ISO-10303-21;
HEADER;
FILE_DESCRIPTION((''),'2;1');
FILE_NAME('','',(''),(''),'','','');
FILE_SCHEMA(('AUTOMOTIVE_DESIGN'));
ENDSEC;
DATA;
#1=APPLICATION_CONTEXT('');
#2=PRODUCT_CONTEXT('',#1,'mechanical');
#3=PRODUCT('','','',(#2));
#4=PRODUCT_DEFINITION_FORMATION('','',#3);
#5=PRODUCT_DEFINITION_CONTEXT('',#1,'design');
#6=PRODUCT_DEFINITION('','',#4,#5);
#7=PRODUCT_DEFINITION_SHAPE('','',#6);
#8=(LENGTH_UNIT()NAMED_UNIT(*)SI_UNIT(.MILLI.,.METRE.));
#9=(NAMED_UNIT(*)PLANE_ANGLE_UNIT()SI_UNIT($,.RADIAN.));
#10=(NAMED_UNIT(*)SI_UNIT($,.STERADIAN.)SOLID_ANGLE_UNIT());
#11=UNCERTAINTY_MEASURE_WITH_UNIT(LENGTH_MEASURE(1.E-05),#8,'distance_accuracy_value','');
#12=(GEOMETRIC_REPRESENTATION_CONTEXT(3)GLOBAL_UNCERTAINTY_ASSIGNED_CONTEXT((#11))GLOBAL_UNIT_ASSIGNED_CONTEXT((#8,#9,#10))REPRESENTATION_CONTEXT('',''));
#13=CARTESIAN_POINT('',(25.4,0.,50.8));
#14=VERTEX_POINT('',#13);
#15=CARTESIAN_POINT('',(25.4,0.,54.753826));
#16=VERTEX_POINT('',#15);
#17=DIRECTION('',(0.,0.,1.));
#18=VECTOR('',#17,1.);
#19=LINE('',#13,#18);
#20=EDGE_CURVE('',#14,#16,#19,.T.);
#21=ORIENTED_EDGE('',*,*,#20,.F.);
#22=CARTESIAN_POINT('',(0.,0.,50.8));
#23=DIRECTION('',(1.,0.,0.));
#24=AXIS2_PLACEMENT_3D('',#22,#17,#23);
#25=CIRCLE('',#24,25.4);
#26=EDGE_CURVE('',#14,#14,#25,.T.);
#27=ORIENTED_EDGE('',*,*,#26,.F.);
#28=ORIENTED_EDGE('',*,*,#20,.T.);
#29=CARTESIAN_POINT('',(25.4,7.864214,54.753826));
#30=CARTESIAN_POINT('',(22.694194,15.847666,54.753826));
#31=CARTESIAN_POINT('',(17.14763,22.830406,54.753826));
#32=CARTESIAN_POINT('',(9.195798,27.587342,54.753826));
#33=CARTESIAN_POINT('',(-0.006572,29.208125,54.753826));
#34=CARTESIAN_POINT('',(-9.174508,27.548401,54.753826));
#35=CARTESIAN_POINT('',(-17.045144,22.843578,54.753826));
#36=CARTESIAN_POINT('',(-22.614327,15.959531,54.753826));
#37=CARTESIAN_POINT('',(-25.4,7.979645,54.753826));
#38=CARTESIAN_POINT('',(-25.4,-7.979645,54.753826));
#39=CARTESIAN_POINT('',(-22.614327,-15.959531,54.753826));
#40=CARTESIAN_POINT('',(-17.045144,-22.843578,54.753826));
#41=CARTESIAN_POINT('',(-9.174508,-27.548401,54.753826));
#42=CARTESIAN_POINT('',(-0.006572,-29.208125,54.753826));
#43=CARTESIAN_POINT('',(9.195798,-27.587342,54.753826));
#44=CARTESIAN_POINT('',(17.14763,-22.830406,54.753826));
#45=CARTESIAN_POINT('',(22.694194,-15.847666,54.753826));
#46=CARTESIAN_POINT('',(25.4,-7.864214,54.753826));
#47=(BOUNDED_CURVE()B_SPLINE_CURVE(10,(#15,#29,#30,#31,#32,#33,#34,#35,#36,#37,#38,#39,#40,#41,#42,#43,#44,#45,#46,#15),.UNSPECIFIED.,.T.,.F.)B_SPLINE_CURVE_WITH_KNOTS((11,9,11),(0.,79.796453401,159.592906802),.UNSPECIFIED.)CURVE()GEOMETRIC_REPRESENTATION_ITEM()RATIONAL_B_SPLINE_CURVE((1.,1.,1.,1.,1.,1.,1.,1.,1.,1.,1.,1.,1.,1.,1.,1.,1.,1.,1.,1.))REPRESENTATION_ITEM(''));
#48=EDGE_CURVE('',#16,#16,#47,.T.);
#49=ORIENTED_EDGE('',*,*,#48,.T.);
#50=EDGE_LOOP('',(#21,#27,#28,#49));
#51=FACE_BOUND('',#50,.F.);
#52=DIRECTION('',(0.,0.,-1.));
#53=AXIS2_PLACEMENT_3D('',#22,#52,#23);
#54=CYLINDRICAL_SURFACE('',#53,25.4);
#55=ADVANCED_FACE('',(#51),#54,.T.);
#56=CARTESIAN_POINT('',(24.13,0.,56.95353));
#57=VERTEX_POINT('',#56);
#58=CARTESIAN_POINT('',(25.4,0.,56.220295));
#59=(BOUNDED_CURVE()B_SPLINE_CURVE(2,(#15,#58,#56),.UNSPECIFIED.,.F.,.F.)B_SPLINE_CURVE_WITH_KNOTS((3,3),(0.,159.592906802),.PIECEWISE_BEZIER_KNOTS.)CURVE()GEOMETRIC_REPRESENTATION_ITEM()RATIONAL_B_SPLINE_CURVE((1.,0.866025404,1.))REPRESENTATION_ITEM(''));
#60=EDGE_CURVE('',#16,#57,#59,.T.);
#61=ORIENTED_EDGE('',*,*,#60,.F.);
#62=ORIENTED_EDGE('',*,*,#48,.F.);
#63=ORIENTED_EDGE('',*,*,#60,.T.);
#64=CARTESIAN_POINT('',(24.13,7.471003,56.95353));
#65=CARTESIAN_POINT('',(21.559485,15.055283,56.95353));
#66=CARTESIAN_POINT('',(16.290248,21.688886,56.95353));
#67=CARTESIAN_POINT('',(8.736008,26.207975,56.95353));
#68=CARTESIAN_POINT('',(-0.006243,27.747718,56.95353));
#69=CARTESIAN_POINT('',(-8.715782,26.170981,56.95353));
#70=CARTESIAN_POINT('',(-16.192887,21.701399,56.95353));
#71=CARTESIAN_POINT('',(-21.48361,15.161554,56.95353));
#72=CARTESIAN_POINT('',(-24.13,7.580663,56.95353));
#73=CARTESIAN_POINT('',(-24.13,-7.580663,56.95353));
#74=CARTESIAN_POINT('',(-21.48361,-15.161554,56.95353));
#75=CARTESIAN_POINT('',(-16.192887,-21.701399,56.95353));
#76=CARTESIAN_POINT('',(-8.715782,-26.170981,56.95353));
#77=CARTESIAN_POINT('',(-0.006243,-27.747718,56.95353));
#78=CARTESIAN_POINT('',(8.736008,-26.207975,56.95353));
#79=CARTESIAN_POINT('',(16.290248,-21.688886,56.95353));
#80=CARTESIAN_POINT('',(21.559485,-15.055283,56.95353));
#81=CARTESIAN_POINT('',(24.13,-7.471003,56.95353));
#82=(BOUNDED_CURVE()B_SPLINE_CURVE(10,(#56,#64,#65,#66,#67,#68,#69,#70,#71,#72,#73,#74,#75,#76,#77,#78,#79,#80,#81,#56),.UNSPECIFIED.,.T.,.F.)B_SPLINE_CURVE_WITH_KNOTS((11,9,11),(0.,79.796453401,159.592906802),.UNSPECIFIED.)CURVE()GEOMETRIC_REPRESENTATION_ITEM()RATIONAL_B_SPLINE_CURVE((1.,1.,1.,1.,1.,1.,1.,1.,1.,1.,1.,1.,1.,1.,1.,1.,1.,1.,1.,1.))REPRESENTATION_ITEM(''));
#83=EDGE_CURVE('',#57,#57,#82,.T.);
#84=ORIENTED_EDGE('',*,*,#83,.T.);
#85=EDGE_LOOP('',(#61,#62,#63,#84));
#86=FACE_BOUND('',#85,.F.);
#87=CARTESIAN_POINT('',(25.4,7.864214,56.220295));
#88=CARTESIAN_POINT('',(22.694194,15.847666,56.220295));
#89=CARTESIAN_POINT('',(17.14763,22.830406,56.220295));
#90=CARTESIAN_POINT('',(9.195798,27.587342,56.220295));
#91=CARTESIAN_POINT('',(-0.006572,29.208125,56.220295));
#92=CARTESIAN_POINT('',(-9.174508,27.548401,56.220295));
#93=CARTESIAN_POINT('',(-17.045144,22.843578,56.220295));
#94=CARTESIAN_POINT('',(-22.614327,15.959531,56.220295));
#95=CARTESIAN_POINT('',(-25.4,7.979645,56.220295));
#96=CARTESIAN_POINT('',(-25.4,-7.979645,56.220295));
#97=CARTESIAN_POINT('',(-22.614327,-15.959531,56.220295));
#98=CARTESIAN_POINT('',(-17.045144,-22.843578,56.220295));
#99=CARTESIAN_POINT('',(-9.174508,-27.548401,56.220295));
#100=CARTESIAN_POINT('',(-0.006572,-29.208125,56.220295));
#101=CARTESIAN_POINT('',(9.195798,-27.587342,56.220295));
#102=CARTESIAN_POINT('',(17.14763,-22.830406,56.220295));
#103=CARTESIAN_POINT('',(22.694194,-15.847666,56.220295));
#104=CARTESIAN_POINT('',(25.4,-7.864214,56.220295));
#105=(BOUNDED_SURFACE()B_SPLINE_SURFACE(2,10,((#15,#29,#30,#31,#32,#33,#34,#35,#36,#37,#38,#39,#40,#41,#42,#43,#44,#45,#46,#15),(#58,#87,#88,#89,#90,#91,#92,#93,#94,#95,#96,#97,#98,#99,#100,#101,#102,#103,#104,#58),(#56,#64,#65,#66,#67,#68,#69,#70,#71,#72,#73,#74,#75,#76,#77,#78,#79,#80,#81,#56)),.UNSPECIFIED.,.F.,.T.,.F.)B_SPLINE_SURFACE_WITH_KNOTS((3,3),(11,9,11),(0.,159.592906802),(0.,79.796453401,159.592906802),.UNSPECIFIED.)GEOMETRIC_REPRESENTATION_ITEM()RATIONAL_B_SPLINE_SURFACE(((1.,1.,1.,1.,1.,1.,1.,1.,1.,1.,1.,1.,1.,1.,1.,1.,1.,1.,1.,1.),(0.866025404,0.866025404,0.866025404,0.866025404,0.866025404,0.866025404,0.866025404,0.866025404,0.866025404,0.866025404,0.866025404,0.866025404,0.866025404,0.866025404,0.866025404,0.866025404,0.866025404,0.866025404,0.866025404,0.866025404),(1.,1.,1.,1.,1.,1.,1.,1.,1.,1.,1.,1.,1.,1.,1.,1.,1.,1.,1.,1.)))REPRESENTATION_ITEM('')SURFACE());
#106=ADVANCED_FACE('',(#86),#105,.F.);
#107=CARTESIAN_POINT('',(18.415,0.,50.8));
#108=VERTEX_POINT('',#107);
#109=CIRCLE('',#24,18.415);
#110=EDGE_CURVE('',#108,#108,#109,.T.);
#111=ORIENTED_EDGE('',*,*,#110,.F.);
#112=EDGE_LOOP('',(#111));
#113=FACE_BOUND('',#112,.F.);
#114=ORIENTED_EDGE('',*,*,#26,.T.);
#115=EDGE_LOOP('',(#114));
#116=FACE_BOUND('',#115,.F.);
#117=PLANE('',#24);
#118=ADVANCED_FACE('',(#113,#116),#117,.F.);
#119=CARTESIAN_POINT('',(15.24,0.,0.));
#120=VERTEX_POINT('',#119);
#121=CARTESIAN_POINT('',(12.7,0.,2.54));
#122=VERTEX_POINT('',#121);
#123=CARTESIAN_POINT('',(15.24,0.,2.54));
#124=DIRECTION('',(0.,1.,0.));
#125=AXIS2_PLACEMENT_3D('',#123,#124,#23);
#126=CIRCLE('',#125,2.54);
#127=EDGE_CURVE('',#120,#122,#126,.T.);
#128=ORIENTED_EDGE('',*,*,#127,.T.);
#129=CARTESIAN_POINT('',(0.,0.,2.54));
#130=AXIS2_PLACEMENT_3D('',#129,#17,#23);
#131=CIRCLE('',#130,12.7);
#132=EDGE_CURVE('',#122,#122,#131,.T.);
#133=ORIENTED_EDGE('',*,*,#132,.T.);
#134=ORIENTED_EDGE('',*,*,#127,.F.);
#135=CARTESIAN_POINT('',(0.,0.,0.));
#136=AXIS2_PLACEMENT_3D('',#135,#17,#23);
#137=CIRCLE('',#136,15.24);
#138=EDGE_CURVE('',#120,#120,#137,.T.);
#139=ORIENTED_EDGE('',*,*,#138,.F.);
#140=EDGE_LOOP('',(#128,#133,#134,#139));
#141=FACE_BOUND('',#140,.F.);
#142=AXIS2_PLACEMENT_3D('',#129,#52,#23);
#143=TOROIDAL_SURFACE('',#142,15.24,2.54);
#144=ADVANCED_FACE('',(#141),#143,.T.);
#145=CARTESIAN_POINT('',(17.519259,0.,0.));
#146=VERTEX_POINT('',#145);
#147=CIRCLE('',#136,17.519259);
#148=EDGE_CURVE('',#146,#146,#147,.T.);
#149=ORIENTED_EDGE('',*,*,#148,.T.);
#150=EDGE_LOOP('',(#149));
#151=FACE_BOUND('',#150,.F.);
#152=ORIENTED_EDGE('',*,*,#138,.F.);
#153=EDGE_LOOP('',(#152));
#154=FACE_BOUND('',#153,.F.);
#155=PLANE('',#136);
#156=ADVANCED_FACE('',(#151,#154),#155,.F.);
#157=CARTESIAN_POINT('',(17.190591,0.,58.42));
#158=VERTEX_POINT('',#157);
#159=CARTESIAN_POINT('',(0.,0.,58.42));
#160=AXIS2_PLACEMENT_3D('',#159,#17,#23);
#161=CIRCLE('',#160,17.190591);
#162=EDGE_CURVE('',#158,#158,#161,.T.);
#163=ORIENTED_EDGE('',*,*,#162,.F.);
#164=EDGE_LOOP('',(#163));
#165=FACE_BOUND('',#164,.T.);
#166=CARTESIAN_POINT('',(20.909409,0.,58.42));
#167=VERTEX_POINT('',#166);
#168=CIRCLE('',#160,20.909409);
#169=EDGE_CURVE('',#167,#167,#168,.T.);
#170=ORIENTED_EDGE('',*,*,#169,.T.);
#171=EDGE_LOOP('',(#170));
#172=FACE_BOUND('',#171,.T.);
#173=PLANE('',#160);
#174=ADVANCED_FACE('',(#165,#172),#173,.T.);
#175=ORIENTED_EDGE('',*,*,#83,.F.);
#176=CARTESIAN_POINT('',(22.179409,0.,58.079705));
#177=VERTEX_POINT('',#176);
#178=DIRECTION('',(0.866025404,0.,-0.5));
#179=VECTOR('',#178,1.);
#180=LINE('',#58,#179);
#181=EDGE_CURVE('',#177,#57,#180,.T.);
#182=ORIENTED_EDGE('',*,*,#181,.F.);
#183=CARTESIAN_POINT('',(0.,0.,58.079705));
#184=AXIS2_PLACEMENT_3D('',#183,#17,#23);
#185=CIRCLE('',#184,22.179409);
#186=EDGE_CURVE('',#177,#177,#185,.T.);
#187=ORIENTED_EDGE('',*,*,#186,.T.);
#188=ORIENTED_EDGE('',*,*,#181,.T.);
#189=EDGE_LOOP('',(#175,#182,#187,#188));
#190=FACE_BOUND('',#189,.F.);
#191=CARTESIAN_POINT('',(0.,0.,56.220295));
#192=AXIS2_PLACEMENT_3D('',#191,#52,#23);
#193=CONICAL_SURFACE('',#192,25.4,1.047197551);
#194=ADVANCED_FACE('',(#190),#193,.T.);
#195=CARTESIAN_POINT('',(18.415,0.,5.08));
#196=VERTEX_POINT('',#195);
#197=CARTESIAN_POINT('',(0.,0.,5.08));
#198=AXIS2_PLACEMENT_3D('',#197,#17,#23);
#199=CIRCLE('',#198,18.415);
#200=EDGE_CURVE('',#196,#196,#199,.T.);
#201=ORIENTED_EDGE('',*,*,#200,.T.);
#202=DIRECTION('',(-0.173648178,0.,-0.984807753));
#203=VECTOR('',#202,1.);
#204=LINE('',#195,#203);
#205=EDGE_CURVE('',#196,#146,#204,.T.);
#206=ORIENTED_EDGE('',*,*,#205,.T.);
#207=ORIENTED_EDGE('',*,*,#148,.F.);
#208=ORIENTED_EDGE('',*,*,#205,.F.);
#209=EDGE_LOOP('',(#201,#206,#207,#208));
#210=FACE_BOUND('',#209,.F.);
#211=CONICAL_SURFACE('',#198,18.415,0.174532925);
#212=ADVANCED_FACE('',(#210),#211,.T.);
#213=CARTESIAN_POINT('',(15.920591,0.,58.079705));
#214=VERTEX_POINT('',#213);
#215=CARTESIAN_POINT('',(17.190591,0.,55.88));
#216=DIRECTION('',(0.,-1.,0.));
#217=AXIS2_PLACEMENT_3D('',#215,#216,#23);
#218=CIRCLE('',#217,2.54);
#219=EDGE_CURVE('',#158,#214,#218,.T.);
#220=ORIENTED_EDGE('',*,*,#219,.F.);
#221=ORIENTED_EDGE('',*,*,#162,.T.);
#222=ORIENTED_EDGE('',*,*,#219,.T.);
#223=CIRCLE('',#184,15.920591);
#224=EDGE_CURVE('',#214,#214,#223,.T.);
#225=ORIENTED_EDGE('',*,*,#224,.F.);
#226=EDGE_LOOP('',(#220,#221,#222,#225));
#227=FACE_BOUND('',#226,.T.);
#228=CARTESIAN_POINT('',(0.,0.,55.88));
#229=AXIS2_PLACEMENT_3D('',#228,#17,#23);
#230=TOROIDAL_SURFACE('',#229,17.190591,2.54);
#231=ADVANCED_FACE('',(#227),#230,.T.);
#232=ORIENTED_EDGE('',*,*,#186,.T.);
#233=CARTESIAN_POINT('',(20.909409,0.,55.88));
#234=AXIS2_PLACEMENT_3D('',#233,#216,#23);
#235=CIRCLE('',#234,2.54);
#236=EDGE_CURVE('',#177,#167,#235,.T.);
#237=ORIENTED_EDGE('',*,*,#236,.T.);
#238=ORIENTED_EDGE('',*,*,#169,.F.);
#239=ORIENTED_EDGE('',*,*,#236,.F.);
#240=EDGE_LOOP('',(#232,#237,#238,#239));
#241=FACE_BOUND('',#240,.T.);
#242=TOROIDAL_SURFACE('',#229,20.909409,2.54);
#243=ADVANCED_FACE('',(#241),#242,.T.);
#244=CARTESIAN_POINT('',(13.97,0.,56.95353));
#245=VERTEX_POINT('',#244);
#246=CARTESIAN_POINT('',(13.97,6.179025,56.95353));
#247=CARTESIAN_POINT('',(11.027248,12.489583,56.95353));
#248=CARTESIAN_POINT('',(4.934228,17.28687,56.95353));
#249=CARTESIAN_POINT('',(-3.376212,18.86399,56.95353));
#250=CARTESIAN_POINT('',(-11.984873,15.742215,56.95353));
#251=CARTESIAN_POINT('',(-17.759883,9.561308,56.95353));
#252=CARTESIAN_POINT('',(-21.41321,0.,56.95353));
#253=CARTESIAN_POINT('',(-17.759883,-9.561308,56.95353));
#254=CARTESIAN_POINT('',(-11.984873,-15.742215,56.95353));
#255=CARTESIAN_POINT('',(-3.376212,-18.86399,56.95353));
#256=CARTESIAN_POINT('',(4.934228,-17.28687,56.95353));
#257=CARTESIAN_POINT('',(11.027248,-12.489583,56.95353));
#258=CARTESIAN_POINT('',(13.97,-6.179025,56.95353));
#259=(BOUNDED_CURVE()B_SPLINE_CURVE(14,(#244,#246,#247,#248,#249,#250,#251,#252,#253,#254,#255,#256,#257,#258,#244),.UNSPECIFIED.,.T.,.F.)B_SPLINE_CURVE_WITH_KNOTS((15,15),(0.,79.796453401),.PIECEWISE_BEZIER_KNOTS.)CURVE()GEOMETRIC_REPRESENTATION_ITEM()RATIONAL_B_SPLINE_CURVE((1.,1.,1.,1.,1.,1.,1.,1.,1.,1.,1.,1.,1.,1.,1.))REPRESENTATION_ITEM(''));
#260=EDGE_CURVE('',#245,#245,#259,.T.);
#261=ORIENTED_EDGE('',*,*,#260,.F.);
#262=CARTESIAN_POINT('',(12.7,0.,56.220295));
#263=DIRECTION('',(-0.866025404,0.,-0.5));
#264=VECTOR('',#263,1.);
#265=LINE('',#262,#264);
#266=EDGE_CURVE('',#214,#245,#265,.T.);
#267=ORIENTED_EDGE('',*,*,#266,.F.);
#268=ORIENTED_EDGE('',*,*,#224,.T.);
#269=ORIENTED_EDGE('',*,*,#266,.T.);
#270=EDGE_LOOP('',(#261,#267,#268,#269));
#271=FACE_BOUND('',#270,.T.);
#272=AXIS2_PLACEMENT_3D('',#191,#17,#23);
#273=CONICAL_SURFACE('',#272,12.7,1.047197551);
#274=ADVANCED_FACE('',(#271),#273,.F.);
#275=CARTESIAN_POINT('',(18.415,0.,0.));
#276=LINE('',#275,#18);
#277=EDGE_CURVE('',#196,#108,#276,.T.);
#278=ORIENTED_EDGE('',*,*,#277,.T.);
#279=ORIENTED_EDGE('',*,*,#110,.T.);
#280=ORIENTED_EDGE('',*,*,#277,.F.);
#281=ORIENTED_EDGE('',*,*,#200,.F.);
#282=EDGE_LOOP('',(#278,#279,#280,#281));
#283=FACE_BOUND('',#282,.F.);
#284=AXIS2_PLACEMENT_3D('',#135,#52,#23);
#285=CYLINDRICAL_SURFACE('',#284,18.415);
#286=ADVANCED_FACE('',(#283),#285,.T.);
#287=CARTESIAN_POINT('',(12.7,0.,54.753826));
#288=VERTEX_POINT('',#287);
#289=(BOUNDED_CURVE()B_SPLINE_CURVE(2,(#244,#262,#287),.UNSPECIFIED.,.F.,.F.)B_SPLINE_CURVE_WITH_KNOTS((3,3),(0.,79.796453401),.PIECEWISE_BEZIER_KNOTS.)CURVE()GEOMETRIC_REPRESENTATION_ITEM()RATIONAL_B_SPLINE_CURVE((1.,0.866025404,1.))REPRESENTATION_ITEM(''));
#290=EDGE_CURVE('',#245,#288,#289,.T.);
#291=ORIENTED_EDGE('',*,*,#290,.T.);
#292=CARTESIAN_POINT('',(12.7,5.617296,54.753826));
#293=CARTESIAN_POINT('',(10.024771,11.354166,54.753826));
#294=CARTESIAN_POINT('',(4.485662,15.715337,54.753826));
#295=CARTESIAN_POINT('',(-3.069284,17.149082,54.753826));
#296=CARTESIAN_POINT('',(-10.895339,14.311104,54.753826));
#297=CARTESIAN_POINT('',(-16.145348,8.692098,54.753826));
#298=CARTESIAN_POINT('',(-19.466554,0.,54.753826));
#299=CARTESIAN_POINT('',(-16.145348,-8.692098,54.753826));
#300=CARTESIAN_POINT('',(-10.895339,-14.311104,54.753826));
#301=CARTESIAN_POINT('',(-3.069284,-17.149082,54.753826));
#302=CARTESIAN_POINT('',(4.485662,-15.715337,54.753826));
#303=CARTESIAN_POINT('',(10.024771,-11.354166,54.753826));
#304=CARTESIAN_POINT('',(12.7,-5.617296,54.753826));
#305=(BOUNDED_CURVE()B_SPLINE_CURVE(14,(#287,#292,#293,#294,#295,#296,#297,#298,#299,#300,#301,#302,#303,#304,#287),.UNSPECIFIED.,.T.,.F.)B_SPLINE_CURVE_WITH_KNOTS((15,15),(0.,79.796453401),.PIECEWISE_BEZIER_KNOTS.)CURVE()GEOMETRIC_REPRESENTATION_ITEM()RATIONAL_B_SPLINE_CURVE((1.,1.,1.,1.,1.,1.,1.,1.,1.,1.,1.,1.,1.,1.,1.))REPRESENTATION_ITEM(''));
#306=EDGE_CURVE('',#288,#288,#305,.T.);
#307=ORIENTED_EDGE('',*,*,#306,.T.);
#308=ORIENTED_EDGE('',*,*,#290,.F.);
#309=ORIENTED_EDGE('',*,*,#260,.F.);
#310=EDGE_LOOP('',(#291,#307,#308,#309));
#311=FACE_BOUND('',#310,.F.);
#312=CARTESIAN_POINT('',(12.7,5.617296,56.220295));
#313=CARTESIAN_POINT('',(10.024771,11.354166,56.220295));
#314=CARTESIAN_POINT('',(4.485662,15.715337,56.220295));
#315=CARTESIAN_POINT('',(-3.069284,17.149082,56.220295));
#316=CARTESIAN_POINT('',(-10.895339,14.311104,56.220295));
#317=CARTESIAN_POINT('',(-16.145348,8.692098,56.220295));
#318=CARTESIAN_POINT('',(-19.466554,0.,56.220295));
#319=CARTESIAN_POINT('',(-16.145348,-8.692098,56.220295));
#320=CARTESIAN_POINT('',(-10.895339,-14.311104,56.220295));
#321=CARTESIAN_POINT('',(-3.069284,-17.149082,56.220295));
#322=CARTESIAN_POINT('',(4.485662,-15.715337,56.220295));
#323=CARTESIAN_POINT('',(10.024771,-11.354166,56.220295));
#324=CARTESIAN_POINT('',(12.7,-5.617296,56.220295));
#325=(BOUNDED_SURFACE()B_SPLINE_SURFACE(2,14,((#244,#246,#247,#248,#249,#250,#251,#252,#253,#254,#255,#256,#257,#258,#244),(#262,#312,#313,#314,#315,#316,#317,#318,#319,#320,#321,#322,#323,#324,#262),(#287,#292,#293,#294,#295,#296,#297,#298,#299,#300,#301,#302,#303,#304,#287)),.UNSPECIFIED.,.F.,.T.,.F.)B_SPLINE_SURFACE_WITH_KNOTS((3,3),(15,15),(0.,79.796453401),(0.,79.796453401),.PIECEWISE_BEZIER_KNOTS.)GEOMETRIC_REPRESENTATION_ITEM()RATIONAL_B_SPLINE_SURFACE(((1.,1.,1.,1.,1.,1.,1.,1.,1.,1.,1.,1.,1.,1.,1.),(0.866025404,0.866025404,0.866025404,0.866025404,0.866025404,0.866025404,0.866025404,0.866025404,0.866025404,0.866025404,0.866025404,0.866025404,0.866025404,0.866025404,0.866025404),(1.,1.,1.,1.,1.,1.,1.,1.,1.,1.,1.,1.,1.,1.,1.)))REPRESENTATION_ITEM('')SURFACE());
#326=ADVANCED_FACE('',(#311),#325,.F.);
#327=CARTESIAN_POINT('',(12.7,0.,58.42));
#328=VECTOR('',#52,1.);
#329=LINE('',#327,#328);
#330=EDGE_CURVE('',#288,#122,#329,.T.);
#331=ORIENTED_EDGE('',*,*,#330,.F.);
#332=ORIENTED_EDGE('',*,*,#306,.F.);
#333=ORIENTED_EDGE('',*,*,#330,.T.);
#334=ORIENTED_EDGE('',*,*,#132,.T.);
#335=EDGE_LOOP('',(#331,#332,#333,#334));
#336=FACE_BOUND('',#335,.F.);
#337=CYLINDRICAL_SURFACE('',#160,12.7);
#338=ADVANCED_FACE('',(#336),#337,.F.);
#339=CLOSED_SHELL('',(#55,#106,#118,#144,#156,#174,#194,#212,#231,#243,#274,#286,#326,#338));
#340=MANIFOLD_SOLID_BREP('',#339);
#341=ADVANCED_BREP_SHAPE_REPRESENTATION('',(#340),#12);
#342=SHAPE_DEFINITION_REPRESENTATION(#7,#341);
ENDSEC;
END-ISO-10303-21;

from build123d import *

# Parameters (mm, degrees)
F0_R     = 18.415
F1_DEPTH = 50.8
F2_R     = 25.4
F2_R_2   = 18.415
F3_DEPTH = 7.62
F4_R     = 12.7
F5_DEPTH = 58.421
F6_SIZE2 = 2.1997045256
F6_SIZE  = 3.81
F7_R     = 2.54
F8_R     = 2.54
F9_SIZE2 = 0.895741062
F9_SIZE  = 5.08


with BuildPart() as f1:
    # F0 (on Top) → F1 (new body)
    with BuildSketch(Plane.XY):
        Circle(F0_R)
    extrude(amount=F1_DEPTH)

    # F2 (on face) → F3 (join)
    with BuildSketch(Plane.XY.offset(50.8)):
        Circle(F2_R)
        Circle(F2_R_2, mode=Mode.SUBTRACT)
        Circle(F2_R_2)
    extrude(amount=F3_DEPTH)

    # F4 (on face) → F5 (cut, through all)
    with BuildSketch(Plane.XY.offset(58.42)):
        Circle(F4_R)
    extrude(amount=-F5_DEPTH, mode=Mode.SUBTRACT)

    # F6
    f6_edges = [f1.edges().sort_by_distance(p)[0] for p in [
        (-25.4, 0, 58.42),
        (-12.7, 0, 58.42),
    ]]
    f6_side = f1.faces().sort_by_distance((-24.68158, 0, 58.42))[0]
    chamfer(f6_edges, length=F6_SIZE, length2=F6_SIZE2, reference=f6_side)

    # F7
    f7_edges = [f1.edges().sort_by_distance(p)[0] for p in [
        (-16.51, 0, 58.42),
        (-21.59, 0, 58.42),
        (-25.4, 0, 56.220295),
        (-12.7, 0, 56.220295),
    ]]
    fillet(f7_edges, radius=F7_R)

    # F8
    f8_edges = [f1.edges().sort_by_distance(p)[0] for p in [
        (-12.7, 0, 0),
    ]]
    fillet(f8_edges, radius=F8_R)

    # F9
    f9_edges = [f1.edges().sort_by_distance(p)[0] for p in [
        (-18.415, 0, 0),
    ]]
    f9_side = f1.faces().sort_by_distance((-18.415, 0, 25.4))[0]
    chamfer(f9_edges, length=F9_SIZE, length2=F9_SIZE2, reference=f9_side)


solid = f1.part
